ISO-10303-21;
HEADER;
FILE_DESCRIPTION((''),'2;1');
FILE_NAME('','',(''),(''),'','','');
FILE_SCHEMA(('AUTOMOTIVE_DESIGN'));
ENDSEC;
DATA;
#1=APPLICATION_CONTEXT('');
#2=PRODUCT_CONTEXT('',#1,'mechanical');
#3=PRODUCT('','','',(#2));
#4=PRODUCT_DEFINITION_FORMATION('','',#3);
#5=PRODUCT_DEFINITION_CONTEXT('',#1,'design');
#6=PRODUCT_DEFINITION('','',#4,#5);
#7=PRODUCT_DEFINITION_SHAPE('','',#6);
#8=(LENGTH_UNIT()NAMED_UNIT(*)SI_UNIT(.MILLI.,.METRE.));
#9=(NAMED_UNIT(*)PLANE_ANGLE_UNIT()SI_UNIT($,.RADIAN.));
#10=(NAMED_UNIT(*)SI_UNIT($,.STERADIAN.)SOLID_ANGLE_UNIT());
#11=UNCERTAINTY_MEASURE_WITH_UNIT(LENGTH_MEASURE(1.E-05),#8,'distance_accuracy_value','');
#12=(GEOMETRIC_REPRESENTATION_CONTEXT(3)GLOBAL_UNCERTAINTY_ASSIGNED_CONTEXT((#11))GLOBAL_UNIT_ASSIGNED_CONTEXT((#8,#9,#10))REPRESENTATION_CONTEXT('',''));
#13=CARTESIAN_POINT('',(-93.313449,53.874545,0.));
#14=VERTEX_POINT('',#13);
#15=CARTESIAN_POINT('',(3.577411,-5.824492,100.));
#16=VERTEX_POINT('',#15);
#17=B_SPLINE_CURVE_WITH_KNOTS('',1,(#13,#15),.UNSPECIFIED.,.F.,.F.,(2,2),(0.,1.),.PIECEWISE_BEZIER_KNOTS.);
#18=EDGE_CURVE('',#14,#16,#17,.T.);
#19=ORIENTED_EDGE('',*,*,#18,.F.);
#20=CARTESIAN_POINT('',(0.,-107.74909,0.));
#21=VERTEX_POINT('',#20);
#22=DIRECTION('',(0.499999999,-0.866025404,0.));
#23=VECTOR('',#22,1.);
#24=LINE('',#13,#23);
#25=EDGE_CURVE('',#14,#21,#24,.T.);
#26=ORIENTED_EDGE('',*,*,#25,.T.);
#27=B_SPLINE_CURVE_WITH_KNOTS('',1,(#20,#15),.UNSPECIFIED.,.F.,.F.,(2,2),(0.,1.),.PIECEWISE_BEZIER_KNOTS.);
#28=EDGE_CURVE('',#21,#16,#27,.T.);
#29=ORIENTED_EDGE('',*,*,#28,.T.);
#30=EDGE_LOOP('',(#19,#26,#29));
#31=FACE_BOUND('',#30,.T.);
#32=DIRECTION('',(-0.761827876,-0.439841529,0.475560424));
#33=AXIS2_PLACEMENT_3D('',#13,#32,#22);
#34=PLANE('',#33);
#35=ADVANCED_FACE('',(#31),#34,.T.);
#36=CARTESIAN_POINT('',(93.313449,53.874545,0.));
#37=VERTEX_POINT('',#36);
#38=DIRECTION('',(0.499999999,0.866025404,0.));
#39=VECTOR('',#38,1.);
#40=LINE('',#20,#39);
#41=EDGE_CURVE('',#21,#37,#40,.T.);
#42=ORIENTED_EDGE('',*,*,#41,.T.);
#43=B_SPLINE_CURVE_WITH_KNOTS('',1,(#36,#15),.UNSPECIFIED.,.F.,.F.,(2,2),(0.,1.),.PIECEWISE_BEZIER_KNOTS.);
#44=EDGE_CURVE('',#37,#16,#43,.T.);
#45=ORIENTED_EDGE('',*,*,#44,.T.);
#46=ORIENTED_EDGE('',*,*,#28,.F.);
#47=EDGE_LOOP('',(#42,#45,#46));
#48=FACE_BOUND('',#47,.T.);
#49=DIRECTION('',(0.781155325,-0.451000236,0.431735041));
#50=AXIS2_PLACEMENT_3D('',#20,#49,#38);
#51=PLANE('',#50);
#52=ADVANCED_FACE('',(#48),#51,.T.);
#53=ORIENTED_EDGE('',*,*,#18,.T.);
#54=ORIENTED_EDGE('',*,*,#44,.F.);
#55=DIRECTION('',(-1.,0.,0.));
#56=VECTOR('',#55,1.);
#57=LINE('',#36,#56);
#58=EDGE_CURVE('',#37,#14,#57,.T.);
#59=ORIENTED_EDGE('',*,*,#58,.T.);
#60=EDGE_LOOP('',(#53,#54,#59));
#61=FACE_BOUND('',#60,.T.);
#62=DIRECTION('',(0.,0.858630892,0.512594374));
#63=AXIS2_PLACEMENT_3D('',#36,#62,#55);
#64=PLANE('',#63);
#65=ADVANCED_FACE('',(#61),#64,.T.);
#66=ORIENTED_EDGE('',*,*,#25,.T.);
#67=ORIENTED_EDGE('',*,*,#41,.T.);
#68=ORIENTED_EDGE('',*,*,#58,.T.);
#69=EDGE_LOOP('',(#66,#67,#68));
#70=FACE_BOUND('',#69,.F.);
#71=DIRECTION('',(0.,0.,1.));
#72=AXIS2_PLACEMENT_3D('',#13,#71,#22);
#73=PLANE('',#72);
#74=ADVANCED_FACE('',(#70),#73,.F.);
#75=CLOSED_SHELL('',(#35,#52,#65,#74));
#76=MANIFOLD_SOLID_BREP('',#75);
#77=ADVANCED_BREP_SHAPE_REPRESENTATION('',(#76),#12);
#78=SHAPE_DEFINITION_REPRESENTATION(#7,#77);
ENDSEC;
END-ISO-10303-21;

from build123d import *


with BuildPart() as f3:
    # F0 (on Top) → F3 section 0
    with BuildSketch(Plane.XY, mode=Mode.PRIVATE) as f3_s0:
        Polygon((-93.313449, 53.874545), (0, -107.74909), (93.313449, 53.874545), align=None)
    loft([f3_s0.sketch, Vertex(3.577411, -5.824492, 100)])


solid = f3.part
